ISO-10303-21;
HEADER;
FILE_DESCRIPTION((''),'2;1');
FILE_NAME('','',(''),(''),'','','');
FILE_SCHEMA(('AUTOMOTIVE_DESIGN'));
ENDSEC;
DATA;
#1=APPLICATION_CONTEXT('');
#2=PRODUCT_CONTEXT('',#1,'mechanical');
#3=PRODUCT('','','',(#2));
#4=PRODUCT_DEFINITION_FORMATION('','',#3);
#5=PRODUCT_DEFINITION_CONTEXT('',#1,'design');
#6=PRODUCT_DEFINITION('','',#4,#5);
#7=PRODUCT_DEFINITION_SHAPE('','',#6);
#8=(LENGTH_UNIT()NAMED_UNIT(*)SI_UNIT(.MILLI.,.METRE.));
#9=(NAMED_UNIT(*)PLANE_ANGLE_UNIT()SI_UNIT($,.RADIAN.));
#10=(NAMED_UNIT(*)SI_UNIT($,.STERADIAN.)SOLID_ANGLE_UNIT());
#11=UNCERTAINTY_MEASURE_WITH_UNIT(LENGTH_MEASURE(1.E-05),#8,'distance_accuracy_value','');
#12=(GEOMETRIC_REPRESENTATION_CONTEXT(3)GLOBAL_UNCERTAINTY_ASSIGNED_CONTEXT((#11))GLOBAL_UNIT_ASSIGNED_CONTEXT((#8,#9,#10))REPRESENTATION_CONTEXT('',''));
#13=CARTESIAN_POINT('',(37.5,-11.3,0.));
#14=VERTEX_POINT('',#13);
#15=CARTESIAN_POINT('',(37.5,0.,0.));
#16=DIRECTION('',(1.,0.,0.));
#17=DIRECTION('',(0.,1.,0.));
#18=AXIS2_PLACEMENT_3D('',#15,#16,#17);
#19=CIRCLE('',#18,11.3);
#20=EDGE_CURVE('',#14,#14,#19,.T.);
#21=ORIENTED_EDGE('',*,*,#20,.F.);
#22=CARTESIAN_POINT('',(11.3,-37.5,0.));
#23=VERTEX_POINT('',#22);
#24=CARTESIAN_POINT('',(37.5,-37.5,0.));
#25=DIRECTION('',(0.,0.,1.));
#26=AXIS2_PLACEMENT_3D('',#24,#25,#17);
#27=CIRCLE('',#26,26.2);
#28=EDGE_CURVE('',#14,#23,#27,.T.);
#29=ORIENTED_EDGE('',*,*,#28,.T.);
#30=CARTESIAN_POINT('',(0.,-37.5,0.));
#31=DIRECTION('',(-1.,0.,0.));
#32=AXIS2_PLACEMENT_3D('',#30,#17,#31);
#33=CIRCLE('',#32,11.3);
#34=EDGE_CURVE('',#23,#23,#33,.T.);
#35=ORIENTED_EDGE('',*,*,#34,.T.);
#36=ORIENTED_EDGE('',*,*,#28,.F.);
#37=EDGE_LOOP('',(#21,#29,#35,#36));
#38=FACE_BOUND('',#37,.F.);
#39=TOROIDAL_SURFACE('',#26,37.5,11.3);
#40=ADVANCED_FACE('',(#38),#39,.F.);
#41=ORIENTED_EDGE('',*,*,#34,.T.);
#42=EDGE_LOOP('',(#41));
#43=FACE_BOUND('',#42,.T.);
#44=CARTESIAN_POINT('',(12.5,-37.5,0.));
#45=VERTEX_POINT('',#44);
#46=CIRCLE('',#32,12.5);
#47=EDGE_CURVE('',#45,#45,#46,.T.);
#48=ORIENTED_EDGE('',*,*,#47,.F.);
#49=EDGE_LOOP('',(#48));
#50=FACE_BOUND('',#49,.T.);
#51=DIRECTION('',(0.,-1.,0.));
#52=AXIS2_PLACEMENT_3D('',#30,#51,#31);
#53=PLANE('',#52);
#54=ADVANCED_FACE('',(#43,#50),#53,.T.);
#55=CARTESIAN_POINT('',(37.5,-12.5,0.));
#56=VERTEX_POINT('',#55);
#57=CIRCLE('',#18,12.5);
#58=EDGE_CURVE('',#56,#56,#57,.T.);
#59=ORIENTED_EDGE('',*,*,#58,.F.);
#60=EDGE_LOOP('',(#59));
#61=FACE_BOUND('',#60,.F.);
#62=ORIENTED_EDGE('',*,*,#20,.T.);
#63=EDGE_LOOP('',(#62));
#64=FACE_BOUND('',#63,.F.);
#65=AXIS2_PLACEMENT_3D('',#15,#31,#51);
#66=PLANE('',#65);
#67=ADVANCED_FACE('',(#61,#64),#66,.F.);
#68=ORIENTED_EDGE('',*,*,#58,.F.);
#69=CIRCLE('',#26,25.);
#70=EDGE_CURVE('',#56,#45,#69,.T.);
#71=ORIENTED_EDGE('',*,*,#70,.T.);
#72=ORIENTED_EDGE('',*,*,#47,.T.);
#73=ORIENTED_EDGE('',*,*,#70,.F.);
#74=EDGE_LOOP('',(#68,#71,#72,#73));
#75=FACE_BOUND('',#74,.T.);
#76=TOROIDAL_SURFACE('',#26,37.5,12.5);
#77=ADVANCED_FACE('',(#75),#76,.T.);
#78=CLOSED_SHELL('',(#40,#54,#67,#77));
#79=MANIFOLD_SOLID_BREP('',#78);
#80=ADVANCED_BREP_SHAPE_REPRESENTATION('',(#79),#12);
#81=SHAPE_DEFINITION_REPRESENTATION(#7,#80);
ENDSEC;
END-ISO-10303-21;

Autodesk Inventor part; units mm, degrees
ref_plane "YZ Plane" through (0, 0, 0) normal (1, 0, 0) x (0, 1, 0)
ref_plane "XZ Plane" through (0, 0, 0) normal (0, 1, 0) x (-1, 0, 0)
sketch "Szkic6" plane through (0, 0, 0) normal (0, 0, 1) x (1, 0, 0)
  line L0 (-29.6067, 0) -> (35.2678, 0) construction
  line L1 (0, 42.3419) -> (0, -58.3726) construction
  arc A0 (37.5, 0) -> (0, -37.5) centre (37.5, -37.5) ccw
  line L2 (0, -37.5) -> (37.5, -37.5) construction
  line L3 (37.5, -37.5) -> (37.5, 28.0331) construction
  line L4 (37.5, 0) -> (37.5, 0)
  line L5 (0, -37.5) -> (0, -37.5)
  point P0 (0, 0)
  dimension "d24" = 37.5
  dimension "d31" = 90
  dimension "d36" = 0
  dimension "d37" = 0
ref_plane "Płaszczyzna konstrukcyjna2" through (0, -37.5, 0) normal (0, -1, 0) x (1, 0, 0)
sketch "Szkic8" plane through (0, -37.5, 0) normal (0, -1, 0) x (1, 0, 0)
  circle A0 centre (0, 0) radius 12.5
  circle A1 centre (0, 0) radius 11.3
  dimension "d32" = 25
  dimension "d33" = 1.2
sweep "Przeciągnięcie2" add profiles "Szkic8" path "Szkic6"
equation "\"d32\" = OD"
equation "\"d33\" = THK"
equation "\"d24\" = R"
equation "\"d31\" = KAT"
equation "\"SzerokośćGięciaPodcięcia\" = Grubość"
equation "\"RozmiarPodcięciaNarożnika\" = 4 * Grubość"
equation "\"PromieńPrzejścia\" = PromieńGięcia"
equation "\"Rozmiar_promienia_Jacobiego\" = PromieńGięcia"
equation "\"Wielk_odstępu\" = Grubość"
equation "\"d2\" = PromieńGięcia"
equation "\"d23\" = PromieńGięcia"
equation "\"R\" = 37.5"
equation "\"OD\" = 25"
equation "\"THK\" = 1.2"
equation "\"KAT\" = 90deg"
equation "\"PROSTKA\" = 0"
equation "\"Grubość\" = 1.5"
equation "\"PromieńGięcia\" = 3"
properties part number "Kolano 90° ø25x1,2 R37,5" material "304L"
